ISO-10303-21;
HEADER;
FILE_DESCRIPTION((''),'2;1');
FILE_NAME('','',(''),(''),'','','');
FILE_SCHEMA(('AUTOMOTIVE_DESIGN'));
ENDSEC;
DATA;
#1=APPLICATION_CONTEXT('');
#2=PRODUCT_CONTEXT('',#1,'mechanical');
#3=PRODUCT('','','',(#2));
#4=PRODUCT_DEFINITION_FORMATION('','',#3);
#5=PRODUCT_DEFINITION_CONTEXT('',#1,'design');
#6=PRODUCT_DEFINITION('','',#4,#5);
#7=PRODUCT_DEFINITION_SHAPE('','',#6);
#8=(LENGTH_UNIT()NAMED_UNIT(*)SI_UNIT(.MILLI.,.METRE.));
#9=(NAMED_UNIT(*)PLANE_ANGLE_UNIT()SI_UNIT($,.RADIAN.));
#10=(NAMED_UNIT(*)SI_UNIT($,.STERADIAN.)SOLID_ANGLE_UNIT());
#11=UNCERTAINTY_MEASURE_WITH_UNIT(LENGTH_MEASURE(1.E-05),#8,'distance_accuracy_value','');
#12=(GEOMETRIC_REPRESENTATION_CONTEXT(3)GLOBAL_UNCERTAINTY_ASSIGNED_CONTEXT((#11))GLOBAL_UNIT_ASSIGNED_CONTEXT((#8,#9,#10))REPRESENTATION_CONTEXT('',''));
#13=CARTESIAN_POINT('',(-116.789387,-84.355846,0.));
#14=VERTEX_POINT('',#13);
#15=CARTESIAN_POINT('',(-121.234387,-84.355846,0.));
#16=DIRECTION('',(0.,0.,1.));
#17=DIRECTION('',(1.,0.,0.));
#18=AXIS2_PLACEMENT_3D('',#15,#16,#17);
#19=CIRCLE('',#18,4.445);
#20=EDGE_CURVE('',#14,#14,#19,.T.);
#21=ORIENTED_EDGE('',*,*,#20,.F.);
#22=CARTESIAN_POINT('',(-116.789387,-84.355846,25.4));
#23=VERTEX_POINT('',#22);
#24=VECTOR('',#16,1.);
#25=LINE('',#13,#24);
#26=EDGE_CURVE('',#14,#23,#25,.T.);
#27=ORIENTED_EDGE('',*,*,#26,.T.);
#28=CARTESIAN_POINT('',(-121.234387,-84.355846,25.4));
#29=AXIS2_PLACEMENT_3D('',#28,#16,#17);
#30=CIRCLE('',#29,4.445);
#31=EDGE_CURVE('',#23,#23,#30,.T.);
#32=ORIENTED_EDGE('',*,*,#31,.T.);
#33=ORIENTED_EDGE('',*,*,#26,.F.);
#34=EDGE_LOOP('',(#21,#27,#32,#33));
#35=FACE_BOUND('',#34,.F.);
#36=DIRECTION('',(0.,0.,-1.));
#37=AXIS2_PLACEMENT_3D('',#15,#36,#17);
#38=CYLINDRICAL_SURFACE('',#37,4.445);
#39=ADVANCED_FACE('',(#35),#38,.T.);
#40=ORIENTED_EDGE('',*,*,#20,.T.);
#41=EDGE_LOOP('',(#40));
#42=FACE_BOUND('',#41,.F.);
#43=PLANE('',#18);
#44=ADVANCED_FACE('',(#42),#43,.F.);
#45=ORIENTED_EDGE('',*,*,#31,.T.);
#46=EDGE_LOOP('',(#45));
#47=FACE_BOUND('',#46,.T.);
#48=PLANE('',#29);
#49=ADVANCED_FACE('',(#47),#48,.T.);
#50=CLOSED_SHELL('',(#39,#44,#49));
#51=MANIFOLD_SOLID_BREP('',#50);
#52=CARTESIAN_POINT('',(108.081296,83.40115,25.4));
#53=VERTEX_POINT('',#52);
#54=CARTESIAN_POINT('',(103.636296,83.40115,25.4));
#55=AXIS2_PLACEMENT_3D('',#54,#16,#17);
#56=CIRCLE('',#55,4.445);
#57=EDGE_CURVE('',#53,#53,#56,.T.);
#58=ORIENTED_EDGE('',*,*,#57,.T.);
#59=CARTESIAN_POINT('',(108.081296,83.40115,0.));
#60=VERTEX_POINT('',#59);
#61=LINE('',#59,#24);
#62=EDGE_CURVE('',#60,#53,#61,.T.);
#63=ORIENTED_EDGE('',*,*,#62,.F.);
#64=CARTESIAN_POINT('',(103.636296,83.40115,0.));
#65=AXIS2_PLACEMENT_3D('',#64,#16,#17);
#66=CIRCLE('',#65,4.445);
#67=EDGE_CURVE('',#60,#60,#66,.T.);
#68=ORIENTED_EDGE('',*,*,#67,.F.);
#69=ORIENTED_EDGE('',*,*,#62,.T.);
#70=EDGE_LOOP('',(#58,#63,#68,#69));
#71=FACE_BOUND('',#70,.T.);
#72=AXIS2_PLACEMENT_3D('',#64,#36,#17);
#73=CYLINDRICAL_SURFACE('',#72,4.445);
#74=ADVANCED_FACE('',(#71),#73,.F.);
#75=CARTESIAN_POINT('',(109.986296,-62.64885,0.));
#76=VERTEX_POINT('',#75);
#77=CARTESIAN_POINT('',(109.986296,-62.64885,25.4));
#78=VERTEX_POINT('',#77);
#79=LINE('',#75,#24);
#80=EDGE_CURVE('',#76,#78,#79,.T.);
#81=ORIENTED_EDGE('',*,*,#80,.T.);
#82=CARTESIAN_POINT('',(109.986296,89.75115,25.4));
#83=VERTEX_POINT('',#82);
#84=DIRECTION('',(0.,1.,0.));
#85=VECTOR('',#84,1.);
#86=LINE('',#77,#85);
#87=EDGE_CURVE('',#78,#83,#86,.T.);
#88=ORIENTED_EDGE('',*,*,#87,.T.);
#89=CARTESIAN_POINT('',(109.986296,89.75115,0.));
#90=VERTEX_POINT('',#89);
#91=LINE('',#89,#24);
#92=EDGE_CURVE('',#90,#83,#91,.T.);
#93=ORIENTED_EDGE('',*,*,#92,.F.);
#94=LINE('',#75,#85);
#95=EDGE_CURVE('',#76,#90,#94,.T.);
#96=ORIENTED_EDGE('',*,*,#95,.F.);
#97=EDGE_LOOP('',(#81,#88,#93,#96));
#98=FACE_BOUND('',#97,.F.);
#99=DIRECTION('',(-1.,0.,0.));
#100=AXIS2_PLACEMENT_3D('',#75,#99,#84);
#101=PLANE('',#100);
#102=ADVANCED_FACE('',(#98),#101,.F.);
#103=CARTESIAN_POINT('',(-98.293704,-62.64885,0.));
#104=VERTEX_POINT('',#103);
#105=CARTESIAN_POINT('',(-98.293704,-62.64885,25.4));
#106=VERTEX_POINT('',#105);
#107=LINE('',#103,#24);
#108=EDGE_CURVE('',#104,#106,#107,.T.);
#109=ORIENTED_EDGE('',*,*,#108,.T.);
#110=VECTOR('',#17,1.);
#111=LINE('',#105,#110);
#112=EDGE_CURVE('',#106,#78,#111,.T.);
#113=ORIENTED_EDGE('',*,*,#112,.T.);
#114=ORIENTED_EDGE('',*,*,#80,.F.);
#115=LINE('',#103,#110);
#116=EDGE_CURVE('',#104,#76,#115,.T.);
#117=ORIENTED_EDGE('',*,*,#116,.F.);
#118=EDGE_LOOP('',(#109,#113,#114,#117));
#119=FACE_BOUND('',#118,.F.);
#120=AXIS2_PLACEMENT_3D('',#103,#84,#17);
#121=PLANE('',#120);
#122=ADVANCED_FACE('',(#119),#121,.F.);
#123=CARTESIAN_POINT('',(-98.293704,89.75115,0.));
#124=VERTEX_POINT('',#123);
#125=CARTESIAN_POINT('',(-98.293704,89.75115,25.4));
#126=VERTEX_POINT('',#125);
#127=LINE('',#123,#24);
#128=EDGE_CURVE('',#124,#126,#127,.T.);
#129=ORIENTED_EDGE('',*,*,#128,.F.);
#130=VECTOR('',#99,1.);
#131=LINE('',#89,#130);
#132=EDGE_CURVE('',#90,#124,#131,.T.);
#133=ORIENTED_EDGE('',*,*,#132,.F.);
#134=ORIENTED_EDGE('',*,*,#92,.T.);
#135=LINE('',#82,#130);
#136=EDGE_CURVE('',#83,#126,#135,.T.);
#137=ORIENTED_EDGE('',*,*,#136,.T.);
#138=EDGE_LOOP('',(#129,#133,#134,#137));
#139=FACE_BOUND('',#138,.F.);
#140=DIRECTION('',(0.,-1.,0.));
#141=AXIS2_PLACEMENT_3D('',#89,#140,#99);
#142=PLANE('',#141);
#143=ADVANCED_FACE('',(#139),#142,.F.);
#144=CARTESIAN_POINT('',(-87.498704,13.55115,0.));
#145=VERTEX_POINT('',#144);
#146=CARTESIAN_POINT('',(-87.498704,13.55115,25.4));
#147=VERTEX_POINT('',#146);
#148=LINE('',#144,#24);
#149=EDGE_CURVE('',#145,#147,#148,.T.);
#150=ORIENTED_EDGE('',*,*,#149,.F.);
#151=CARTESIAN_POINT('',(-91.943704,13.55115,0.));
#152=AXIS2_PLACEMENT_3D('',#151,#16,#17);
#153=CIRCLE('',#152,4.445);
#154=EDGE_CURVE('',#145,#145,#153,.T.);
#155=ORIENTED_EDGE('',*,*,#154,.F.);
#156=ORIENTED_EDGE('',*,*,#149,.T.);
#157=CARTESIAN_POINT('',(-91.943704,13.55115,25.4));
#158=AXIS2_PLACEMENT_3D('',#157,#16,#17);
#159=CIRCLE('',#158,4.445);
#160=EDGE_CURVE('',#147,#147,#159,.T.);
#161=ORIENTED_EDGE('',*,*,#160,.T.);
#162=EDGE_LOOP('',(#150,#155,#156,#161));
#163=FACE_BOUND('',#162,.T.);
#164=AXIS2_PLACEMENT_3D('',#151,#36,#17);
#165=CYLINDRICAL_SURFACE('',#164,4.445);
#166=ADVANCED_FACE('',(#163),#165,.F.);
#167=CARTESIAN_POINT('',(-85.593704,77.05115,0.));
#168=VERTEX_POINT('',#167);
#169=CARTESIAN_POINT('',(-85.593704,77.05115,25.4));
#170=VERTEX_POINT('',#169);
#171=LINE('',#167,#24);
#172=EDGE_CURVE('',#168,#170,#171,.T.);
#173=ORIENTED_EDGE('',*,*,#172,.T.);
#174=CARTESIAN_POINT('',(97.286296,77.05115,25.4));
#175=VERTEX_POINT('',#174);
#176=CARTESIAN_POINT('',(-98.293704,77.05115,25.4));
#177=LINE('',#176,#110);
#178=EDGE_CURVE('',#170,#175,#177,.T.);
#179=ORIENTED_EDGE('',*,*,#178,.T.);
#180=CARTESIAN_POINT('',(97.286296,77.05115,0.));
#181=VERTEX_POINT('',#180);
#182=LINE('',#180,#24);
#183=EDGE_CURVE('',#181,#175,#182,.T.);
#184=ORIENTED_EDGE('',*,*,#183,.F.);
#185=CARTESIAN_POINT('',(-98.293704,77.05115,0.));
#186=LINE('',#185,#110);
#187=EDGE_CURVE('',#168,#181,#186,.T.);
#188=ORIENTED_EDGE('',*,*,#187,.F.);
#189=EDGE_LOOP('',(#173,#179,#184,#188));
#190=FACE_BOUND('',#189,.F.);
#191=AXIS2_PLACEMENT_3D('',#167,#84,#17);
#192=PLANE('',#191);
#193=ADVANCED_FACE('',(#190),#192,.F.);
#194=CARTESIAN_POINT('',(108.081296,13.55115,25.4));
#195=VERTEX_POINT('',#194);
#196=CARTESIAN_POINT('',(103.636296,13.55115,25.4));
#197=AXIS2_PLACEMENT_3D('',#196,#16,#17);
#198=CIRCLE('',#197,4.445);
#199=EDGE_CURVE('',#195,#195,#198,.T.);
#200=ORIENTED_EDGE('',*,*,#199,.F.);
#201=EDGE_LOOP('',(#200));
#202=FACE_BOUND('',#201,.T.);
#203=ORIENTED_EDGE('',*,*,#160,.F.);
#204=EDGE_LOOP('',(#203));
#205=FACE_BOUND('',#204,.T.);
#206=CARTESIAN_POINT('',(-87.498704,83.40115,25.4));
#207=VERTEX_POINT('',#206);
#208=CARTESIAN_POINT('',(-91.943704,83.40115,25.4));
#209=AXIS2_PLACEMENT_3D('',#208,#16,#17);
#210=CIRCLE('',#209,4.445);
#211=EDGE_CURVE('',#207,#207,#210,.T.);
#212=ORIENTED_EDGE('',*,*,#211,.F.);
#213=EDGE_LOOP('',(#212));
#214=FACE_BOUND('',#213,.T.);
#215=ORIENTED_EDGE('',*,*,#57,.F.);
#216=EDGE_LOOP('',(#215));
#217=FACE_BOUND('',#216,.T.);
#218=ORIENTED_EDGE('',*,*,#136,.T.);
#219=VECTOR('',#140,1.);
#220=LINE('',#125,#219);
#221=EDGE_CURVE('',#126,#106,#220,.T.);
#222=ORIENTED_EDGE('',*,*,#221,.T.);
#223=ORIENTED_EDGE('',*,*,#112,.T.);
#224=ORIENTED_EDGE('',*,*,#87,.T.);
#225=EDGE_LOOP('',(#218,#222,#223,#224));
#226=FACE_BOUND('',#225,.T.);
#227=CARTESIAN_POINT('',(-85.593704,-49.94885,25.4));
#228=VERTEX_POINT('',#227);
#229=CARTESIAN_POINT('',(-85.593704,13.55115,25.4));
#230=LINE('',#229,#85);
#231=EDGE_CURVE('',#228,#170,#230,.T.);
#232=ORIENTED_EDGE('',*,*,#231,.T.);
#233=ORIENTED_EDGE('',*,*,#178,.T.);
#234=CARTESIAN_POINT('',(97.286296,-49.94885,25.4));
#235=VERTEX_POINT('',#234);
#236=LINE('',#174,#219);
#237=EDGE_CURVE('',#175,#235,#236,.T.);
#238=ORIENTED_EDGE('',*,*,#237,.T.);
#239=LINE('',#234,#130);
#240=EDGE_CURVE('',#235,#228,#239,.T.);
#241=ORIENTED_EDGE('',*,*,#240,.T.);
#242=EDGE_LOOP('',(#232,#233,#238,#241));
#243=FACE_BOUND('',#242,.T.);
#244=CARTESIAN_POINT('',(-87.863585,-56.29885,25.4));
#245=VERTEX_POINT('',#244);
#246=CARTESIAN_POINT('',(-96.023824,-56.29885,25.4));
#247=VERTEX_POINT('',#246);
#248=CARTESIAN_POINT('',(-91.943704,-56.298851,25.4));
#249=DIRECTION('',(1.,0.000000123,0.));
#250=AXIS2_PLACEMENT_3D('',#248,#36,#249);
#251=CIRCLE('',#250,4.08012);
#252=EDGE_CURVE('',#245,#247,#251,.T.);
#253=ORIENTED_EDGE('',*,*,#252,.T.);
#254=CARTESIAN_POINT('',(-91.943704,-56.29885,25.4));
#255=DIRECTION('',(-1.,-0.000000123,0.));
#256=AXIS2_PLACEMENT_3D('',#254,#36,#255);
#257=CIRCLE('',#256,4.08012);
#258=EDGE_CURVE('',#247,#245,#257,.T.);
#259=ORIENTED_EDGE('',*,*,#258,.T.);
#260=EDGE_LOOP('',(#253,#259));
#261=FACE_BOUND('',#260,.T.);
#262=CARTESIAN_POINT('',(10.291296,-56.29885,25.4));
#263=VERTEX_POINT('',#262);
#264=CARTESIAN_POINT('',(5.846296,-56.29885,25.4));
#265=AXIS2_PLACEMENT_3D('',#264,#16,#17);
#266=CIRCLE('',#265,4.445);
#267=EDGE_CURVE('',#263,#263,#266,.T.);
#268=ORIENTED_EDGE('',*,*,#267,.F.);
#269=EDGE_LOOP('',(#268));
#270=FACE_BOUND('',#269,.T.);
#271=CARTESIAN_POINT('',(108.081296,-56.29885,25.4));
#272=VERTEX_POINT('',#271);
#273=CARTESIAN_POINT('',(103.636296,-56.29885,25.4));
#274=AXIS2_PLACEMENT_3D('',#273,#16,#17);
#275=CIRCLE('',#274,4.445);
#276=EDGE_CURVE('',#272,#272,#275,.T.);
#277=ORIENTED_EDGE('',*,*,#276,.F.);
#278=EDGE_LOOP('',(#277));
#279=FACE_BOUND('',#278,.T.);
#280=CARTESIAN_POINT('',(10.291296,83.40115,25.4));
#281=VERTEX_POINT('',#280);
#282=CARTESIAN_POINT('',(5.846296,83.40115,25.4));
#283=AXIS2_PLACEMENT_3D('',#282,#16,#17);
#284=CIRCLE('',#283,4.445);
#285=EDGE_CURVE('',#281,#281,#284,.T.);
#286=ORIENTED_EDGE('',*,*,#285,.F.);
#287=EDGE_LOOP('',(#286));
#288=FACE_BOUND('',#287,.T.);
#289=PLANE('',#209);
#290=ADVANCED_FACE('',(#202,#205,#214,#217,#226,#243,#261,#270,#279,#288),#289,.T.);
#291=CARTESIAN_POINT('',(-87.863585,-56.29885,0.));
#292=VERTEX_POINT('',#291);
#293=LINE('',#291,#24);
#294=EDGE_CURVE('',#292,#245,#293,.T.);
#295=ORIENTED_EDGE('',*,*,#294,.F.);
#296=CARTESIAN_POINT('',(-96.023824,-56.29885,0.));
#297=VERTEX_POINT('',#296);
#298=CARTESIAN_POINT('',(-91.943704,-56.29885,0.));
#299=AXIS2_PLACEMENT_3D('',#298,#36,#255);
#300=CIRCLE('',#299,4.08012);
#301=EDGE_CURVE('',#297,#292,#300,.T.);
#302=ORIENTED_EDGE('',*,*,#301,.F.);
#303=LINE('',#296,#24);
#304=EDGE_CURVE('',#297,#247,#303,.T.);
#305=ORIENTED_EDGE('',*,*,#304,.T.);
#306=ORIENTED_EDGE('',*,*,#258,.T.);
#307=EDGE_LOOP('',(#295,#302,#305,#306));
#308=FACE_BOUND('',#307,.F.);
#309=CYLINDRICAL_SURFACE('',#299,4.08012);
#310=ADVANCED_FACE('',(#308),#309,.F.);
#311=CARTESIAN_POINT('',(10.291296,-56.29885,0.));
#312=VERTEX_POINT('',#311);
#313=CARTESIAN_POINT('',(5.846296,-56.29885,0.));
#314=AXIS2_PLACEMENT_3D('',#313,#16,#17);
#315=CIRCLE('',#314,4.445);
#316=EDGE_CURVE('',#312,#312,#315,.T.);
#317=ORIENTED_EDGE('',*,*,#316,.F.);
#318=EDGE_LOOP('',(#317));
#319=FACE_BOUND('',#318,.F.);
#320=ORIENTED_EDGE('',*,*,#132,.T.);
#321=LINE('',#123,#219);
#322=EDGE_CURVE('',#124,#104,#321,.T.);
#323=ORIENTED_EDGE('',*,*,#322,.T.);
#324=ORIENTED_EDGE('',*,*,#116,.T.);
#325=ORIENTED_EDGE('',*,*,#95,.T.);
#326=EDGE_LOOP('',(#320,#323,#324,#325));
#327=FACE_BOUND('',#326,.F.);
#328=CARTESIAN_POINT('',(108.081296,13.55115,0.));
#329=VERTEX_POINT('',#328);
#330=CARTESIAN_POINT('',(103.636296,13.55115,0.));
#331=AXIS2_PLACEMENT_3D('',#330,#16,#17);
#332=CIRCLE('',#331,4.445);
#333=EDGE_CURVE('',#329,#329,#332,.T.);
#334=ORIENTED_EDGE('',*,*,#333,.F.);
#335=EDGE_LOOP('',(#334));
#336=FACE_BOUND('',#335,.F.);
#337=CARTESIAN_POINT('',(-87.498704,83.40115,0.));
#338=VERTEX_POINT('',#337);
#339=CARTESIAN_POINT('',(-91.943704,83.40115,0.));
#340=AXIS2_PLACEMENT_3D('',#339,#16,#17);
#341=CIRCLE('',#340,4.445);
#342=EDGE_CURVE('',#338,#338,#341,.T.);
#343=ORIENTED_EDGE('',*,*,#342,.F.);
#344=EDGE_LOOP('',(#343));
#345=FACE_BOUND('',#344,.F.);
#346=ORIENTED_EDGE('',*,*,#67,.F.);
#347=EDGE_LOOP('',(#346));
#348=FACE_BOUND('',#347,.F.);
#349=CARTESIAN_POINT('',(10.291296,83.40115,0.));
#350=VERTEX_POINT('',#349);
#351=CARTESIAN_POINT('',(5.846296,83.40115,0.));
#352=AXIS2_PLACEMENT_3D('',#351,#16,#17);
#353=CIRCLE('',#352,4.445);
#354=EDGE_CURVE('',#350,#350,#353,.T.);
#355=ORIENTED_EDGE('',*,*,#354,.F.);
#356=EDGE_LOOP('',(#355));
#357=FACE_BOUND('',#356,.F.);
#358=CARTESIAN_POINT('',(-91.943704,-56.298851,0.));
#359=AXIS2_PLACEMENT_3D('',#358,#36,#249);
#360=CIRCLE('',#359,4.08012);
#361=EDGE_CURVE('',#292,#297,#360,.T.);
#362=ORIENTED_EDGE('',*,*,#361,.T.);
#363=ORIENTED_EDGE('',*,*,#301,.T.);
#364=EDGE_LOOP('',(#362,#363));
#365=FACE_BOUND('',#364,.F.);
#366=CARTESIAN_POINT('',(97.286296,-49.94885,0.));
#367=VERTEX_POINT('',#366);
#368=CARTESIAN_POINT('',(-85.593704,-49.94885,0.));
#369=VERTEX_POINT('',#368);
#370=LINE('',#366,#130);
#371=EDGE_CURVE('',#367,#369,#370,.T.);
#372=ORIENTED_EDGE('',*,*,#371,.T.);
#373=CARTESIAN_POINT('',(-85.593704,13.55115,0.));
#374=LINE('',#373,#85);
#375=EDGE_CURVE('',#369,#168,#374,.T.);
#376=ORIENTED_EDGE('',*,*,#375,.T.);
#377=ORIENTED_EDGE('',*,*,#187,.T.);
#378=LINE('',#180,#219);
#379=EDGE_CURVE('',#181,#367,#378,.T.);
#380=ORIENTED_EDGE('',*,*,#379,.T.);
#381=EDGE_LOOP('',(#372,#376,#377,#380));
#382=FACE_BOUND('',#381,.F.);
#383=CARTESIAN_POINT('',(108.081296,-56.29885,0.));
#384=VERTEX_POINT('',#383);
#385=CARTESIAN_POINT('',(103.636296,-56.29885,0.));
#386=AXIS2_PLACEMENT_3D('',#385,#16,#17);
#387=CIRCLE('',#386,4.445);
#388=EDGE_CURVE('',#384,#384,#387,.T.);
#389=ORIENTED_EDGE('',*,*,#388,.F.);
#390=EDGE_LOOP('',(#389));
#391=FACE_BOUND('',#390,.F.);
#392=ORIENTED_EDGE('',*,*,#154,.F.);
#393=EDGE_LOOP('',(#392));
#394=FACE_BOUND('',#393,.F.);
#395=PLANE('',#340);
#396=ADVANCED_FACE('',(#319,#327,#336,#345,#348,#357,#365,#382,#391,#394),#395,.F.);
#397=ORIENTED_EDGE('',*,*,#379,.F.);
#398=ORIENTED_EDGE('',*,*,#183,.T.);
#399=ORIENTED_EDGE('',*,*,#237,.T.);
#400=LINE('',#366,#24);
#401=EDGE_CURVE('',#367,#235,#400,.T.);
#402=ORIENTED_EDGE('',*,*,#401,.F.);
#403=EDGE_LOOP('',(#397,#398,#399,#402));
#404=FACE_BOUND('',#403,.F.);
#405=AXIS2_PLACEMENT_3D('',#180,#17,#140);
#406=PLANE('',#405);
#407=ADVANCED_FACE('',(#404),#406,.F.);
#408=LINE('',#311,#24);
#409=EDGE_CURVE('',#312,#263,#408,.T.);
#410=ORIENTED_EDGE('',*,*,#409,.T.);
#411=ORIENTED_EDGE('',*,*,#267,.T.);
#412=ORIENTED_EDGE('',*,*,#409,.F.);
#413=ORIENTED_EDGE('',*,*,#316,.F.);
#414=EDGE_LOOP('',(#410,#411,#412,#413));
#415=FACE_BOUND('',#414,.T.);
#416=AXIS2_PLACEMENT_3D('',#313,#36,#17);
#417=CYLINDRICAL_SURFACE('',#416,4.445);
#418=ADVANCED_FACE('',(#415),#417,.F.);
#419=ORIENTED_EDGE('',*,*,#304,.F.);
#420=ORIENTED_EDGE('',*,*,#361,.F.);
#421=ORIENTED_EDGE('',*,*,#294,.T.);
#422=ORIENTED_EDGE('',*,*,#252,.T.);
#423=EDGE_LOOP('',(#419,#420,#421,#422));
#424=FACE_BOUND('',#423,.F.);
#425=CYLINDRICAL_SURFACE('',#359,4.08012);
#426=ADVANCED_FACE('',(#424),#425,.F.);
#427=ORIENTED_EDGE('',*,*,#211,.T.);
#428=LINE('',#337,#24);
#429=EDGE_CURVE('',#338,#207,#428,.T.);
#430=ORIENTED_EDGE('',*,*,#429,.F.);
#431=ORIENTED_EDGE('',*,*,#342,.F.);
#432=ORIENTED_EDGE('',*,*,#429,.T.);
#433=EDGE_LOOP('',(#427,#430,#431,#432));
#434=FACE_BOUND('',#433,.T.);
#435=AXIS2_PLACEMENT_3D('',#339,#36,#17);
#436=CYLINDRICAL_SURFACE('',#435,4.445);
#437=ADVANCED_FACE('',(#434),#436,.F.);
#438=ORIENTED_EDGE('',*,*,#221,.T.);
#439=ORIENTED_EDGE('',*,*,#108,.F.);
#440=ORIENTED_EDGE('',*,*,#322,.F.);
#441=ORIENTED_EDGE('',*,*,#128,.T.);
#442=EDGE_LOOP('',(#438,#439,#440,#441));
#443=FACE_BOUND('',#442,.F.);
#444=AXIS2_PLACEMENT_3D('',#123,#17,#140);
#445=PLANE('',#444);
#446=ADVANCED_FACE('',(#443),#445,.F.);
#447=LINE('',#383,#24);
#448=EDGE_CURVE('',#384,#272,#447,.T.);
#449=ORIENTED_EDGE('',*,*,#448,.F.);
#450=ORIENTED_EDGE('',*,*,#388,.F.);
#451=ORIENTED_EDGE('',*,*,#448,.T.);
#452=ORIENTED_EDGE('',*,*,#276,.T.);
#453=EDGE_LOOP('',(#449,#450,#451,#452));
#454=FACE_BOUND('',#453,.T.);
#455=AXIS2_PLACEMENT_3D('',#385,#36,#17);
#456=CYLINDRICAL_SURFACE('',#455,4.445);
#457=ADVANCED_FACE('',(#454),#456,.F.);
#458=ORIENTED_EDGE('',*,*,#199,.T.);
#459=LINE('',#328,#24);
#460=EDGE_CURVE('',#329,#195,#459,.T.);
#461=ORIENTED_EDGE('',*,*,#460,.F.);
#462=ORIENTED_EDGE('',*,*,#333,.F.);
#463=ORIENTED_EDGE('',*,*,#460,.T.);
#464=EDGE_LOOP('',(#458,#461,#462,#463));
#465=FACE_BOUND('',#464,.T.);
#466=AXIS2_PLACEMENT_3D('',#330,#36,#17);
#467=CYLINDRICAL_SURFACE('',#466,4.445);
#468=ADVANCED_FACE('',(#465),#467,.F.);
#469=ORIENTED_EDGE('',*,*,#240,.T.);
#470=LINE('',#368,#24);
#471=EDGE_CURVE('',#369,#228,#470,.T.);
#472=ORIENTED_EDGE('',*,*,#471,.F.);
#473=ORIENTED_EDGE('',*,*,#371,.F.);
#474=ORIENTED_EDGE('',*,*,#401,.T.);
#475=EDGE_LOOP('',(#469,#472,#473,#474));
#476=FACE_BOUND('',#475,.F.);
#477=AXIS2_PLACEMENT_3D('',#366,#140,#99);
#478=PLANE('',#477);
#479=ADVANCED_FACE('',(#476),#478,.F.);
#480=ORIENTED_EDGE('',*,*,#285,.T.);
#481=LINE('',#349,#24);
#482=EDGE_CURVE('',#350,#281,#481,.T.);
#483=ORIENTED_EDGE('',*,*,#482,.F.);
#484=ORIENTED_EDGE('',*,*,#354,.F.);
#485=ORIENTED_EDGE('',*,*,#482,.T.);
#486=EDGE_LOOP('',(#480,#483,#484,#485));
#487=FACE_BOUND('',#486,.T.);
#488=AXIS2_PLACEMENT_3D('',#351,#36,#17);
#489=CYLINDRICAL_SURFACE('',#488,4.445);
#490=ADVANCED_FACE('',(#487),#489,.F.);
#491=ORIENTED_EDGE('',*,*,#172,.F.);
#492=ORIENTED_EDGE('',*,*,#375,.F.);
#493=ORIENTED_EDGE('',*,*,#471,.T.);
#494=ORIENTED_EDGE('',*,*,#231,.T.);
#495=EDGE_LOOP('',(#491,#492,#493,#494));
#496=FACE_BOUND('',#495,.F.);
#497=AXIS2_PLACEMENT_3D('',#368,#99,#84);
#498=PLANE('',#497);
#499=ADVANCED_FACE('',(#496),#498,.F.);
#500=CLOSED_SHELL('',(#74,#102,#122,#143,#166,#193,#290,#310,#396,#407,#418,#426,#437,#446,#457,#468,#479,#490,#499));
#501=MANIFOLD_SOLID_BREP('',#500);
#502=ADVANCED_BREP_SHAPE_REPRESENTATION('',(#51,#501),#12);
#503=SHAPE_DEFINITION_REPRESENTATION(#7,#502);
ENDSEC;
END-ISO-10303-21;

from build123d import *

# Parameters (mm, degrees)
F0_W     = 12.7
F0_H     = 12.7
F0_R     = 4.445
F0_H_2   = 127
F1_DEPTH = 25.4


with BuildPart() as f1:
    # F0 (on Top) → F1 (new body)
    with BuildSketch(Plane.XY):
        with Locations((-91.943704, 83.40115)):
            Rectangle(F0_W, F0_H)
        with Locations((-91.943704, 83.40115)):
            Circle(F0_R, mode=Mode.SUBTRACT)
        Polygon((97.281568, 89.75115), (-85.593704, 89.75115), (-85.593704, 77.05115), (97.286296, 77.05115), align=None)
        with Locations((5.846296, 83.40115)):
            Circle(F0_R, mode=Mode.SUBTRACT)
        with Locations((-91.943704, 13.55115)):
            Rectangle(F0_W, F0_H_2)
        with Locations((-91.943704, 13.55115)):
            Circle(F0_R, mode=Mode.SUBTRACT)
        Polygon((109.986296, 89.75115), (97.281568, 89.75115), (97.286296, 77.05115), (97.286296, -49.94885), (109.986296, -49.94885), align=None)
        with Locations((103.636296, 13.55115)):
            Circle(F0_R, mode=Mode.SUBTRACT)
        with Locations((103.636296, 83.40115)):
            Circle(F0_R, mode=Mode.SUBTRACT)
        with BuildLine():
            Line((-85.593704, -49.94885), (-98.293704, -49.94885))
            Line((-98.293704, -49.94885), (-98.293704, -56.29885))
            Line((-98.293704, -56.29885), (-96.023824, -56.29885))
            ThreePointArc((-96.023824, -56.29885), (-91.943704, -52.21873), (-87.863585, -56.29885))
            Line((-87.863585, -56.29885), (-85.620091, -56.29885))
            Line((-85.620091, -56.29885), (-85.593704, -62.64885))
            Line((-85.593704, -62.64885), (97.286296, -62.64885))
            Line((97.286296, -62.64885), (97.286296, -49.94885))
            Line((97.286296, -49.94885), (-85.593704, -49.94885))
        make_face()
        with Locations((5.846296, -56.29885)):
            Circle(F0_R, mode=Mode.SUBTRACT)
        with BuildLine():
            Line((-96.023824, -56.29885), (-98.293704, -56.29885))
            Line((-98.293704, -56.29885), (-98.293704, -62.64885))
            Line((-98.293704, -62.64885), (-85.593704, -62.64885))
            Line((-85.593704, -62.64885), (-85.620091, -56.29885))
            Line((-85.620091, -56.29885), (-87.863585, -56.29885))
            ThreePointArc((-87.863585, -56.29885), (-91.943704, -60.37897), (-96.023824, -56.29885))
        make_face()
        with Locations((103.636296, -56.29885)):
            Rectangle(F0_W, F0_H)
        with Locations((103.636296, -56.29885)):
            Circle(F0_R, mode=Mode.SUBTRACT)
        with Locations((-121.234387, -84.355846)):
            Circle(F0_R)
    extrude(amount=F1_DEPTH)


solid = f1.part
